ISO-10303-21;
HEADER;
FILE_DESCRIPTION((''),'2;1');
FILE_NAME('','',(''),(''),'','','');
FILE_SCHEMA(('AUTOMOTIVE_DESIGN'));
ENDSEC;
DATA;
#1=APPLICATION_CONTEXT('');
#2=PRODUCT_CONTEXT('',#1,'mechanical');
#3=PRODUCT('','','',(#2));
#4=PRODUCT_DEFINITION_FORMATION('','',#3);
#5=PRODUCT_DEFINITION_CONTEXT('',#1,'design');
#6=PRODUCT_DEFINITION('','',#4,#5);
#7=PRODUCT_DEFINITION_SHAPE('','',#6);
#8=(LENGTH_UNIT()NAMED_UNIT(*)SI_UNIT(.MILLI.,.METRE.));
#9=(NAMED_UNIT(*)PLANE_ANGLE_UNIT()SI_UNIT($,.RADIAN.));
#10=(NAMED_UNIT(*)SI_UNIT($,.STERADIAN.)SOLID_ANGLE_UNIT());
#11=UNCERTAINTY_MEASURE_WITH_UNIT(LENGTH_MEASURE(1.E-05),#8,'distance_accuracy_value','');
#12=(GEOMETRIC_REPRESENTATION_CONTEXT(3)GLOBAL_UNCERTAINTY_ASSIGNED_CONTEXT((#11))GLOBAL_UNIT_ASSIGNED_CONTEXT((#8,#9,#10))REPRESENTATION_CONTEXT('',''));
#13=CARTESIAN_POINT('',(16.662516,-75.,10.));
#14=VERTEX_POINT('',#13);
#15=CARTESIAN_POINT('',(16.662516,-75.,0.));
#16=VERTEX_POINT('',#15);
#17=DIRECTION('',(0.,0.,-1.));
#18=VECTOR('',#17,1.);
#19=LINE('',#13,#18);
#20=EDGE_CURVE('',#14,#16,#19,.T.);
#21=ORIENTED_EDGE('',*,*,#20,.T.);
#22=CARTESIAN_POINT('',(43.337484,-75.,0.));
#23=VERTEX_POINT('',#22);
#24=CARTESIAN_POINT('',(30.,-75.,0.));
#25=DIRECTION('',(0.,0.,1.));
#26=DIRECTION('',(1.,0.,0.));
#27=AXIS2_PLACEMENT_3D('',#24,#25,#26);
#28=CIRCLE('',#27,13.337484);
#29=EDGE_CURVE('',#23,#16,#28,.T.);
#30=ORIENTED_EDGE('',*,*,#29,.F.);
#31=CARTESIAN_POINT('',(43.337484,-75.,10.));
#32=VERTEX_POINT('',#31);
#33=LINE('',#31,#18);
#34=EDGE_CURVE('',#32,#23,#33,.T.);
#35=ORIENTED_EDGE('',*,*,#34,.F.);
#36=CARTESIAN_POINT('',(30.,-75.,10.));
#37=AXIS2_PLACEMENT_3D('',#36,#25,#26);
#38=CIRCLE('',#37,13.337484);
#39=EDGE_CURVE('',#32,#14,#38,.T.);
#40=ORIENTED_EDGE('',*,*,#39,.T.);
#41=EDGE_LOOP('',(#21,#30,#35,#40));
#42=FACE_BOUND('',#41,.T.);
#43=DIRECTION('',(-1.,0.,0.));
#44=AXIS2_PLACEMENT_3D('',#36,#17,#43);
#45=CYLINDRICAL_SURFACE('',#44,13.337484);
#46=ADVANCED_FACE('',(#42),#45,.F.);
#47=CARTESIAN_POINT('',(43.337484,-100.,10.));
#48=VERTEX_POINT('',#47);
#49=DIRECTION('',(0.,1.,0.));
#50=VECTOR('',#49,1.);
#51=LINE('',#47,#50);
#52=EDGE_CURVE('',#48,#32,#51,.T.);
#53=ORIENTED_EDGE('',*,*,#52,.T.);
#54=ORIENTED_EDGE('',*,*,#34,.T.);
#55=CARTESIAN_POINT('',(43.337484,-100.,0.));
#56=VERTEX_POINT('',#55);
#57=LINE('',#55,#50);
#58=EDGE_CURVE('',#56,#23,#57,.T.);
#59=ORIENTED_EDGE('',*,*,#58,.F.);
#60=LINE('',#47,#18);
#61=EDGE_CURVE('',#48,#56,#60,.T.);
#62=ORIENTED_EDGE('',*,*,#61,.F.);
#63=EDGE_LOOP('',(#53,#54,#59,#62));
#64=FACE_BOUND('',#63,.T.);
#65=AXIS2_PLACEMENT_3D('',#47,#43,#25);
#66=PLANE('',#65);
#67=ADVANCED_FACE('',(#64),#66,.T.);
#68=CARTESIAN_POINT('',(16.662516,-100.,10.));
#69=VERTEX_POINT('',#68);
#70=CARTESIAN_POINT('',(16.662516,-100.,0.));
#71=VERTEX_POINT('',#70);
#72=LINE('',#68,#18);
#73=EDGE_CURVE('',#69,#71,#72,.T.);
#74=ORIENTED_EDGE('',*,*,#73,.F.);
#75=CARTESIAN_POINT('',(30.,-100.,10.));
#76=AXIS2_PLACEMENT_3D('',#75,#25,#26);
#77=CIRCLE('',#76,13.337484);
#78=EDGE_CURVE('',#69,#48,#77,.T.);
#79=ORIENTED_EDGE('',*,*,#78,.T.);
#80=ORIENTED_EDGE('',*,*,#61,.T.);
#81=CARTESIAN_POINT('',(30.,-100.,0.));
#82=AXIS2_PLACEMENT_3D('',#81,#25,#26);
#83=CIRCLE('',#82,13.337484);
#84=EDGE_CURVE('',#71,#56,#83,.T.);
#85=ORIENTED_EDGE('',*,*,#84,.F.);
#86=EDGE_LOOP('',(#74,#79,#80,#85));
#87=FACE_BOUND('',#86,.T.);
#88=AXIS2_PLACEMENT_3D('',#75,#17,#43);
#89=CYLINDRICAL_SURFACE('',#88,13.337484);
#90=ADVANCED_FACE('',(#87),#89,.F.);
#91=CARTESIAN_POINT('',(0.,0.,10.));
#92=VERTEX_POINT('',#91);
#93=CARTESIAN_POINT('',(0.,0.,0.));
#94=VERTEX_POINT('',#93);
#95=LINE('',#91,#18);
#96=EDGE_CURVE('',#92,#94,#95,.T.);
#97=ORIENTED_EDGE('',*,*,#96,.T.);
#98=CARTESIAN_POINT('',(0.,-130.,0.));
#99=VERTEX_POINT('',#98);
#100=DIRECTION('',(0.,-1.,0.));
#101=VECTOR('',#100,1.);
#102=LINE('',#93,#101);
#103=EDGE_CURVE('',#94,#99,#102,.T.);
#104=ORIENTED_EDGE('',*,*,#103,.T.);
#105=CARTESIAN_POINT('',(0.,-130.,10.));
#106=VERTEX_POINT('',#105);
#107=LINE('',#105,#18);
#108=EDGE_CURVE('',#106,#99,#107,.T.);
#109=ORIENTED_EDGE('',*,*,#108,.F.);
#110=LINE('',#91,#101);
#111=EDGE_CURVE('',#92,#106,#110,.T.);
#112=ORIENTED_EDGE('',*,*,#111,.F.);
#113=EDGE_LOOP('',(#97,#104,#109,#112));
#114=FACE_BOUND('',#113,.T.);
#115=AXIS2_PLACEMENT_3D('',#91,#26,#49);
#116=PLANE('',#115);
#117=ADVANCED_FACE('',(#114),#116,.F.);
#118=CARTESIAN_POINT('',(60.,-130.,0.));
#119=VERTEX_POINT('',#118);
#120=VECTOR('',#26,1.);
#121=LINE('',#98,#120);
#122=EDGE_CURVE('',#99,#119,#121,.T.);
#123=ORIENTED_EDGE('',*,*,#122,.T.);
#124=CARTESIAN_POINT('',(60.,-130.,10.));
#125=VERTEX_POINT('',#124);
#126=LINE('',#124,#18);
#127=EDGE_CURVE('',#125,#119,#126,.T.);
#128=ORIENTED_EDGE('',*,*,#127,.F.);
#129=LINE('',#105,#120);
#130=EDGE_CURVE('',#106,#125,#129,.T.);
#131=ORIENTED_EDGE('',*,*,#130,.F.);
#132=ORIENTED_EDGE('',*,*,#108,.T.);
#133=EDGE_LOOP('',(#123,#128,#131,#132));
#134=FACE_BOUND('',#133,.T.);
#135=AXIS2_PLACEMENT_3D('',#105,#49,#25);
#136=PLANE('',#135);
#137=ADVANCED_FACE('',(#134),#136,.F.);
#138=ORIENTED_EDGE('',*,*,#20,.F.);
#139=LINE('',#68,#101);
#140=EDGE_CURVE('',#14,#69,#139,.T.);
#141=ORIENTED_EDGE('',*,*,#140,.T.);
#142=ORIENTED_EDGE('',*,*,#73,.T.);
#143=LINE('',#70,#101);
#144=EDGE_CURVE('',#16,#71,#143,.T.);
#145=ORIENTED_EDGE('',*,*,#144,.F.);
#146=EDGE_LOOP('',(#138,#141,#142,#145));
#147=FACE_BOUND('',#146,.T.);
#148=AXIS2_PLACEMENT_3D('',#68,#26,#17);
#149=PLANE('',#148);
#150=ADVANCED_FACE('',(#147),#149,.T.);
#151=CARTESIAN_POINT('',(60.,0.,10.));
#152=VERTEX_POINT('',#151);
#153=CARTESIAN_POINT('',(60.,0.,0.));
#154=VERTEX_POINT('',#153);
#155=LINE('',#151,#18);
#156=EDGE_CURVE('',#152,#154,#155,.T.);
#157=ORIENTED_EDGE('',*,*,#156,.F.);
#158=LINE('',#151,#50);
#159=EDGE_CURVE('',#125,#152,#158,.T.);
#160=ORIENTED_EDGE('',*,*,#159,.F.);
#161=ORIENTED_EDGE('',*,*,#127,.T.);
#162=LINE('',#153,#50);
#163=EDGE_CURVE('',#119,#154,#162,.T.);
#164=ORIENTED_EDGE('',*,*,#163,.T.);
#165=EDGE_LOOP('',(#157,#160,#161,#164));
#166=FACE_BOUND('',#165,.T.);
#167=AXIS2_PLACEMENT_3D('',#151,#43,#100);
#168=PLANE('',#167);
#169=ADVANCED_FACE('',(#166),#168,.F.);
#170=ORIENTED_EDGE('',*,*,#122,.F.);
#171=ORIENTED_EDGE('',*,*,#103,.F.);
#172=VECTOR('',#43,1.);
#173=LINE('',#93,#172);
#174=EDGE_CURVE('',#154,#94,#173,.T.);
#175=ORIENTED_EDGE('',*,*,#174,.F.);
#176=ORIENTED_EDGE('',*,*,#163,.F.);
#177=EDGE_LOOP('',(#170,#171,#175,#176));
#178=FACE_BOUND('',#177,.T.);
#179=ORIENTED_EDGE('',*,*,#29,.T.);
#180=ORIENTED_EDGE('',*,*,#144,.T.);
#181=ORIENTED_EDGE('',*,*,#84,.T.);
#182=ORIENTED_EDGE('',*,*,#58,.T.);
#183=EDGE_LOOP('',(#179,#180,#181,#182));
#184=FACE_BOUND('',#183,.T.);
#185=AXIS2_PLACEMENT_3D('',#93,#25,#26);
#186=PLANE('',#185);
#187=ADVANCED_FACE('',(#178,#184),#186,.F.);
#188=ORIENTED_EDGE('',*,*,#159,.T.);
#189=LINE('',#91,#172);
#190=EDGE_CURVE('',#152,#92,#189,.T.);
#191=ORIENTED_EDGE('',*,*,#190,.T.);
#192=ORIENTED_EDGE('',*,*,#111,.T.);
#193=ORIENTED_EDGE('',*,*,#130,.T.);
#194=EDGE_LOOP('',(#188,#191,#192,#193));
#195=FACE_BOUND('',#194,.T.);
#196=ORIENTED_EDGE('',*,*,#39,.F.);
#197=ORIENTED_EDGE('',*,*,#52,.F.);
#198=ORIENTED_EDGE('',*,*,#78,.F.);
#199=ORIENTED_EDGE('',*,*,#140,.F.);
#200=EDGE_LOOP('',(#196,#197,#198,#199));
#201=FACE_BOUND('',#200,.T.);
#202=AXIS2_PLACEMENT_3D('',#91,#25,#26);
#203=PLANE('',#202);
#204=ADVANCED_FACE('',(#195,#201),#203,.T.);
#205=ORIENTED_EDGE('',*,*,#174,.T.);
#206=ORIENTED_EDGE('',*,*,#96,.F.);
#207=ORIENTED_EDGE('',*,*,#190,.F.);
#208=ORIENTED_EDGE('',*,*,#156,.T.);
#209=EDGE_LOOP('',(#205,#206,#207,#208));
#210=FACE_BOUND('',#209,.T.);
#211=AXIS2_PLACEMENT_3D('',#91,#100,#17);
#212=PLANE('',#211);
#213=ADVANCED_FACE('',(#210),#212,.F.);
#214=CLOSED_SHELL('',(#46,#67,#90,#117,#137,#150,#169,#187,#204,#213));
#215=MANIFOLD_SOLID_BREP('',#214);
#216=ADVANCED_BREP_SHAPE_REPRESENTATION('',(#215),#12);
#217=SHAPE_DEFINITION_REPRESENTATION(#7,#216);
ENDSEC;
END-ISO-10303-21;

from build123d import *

# Parameters (mm, degrees)
SKETCH_1_W      = 60
SKETCH_1_H      = 130
EXTRUDE_3_DEPTH = 10


with BuildPart() as part:
    # 草图1 → 凸台-拉伸3 (new body)
    with BuildSketch(Plane.XY):
        with Locations((30, -65)):
            Rectangle(SKETCH_1_W, SKETCH_1_H)
        with BuildLine():
            Line((16.662515983, -100), (16.662515983, -75))
            ThreePointArc((16.662515983, -75), (30, -61.662515983), (43.337484017, -75))
            Line((43.337484017, -75), (43.337484017, -100))
            ThreePointArc((43.337484017, -100), (30, -113.337484017), (16.662515983, -100))
        make_face(mode=Mode.SUBTRACT)
    extrude(amount=EXTRUDE_3_DEPTH)


solid = part.part
